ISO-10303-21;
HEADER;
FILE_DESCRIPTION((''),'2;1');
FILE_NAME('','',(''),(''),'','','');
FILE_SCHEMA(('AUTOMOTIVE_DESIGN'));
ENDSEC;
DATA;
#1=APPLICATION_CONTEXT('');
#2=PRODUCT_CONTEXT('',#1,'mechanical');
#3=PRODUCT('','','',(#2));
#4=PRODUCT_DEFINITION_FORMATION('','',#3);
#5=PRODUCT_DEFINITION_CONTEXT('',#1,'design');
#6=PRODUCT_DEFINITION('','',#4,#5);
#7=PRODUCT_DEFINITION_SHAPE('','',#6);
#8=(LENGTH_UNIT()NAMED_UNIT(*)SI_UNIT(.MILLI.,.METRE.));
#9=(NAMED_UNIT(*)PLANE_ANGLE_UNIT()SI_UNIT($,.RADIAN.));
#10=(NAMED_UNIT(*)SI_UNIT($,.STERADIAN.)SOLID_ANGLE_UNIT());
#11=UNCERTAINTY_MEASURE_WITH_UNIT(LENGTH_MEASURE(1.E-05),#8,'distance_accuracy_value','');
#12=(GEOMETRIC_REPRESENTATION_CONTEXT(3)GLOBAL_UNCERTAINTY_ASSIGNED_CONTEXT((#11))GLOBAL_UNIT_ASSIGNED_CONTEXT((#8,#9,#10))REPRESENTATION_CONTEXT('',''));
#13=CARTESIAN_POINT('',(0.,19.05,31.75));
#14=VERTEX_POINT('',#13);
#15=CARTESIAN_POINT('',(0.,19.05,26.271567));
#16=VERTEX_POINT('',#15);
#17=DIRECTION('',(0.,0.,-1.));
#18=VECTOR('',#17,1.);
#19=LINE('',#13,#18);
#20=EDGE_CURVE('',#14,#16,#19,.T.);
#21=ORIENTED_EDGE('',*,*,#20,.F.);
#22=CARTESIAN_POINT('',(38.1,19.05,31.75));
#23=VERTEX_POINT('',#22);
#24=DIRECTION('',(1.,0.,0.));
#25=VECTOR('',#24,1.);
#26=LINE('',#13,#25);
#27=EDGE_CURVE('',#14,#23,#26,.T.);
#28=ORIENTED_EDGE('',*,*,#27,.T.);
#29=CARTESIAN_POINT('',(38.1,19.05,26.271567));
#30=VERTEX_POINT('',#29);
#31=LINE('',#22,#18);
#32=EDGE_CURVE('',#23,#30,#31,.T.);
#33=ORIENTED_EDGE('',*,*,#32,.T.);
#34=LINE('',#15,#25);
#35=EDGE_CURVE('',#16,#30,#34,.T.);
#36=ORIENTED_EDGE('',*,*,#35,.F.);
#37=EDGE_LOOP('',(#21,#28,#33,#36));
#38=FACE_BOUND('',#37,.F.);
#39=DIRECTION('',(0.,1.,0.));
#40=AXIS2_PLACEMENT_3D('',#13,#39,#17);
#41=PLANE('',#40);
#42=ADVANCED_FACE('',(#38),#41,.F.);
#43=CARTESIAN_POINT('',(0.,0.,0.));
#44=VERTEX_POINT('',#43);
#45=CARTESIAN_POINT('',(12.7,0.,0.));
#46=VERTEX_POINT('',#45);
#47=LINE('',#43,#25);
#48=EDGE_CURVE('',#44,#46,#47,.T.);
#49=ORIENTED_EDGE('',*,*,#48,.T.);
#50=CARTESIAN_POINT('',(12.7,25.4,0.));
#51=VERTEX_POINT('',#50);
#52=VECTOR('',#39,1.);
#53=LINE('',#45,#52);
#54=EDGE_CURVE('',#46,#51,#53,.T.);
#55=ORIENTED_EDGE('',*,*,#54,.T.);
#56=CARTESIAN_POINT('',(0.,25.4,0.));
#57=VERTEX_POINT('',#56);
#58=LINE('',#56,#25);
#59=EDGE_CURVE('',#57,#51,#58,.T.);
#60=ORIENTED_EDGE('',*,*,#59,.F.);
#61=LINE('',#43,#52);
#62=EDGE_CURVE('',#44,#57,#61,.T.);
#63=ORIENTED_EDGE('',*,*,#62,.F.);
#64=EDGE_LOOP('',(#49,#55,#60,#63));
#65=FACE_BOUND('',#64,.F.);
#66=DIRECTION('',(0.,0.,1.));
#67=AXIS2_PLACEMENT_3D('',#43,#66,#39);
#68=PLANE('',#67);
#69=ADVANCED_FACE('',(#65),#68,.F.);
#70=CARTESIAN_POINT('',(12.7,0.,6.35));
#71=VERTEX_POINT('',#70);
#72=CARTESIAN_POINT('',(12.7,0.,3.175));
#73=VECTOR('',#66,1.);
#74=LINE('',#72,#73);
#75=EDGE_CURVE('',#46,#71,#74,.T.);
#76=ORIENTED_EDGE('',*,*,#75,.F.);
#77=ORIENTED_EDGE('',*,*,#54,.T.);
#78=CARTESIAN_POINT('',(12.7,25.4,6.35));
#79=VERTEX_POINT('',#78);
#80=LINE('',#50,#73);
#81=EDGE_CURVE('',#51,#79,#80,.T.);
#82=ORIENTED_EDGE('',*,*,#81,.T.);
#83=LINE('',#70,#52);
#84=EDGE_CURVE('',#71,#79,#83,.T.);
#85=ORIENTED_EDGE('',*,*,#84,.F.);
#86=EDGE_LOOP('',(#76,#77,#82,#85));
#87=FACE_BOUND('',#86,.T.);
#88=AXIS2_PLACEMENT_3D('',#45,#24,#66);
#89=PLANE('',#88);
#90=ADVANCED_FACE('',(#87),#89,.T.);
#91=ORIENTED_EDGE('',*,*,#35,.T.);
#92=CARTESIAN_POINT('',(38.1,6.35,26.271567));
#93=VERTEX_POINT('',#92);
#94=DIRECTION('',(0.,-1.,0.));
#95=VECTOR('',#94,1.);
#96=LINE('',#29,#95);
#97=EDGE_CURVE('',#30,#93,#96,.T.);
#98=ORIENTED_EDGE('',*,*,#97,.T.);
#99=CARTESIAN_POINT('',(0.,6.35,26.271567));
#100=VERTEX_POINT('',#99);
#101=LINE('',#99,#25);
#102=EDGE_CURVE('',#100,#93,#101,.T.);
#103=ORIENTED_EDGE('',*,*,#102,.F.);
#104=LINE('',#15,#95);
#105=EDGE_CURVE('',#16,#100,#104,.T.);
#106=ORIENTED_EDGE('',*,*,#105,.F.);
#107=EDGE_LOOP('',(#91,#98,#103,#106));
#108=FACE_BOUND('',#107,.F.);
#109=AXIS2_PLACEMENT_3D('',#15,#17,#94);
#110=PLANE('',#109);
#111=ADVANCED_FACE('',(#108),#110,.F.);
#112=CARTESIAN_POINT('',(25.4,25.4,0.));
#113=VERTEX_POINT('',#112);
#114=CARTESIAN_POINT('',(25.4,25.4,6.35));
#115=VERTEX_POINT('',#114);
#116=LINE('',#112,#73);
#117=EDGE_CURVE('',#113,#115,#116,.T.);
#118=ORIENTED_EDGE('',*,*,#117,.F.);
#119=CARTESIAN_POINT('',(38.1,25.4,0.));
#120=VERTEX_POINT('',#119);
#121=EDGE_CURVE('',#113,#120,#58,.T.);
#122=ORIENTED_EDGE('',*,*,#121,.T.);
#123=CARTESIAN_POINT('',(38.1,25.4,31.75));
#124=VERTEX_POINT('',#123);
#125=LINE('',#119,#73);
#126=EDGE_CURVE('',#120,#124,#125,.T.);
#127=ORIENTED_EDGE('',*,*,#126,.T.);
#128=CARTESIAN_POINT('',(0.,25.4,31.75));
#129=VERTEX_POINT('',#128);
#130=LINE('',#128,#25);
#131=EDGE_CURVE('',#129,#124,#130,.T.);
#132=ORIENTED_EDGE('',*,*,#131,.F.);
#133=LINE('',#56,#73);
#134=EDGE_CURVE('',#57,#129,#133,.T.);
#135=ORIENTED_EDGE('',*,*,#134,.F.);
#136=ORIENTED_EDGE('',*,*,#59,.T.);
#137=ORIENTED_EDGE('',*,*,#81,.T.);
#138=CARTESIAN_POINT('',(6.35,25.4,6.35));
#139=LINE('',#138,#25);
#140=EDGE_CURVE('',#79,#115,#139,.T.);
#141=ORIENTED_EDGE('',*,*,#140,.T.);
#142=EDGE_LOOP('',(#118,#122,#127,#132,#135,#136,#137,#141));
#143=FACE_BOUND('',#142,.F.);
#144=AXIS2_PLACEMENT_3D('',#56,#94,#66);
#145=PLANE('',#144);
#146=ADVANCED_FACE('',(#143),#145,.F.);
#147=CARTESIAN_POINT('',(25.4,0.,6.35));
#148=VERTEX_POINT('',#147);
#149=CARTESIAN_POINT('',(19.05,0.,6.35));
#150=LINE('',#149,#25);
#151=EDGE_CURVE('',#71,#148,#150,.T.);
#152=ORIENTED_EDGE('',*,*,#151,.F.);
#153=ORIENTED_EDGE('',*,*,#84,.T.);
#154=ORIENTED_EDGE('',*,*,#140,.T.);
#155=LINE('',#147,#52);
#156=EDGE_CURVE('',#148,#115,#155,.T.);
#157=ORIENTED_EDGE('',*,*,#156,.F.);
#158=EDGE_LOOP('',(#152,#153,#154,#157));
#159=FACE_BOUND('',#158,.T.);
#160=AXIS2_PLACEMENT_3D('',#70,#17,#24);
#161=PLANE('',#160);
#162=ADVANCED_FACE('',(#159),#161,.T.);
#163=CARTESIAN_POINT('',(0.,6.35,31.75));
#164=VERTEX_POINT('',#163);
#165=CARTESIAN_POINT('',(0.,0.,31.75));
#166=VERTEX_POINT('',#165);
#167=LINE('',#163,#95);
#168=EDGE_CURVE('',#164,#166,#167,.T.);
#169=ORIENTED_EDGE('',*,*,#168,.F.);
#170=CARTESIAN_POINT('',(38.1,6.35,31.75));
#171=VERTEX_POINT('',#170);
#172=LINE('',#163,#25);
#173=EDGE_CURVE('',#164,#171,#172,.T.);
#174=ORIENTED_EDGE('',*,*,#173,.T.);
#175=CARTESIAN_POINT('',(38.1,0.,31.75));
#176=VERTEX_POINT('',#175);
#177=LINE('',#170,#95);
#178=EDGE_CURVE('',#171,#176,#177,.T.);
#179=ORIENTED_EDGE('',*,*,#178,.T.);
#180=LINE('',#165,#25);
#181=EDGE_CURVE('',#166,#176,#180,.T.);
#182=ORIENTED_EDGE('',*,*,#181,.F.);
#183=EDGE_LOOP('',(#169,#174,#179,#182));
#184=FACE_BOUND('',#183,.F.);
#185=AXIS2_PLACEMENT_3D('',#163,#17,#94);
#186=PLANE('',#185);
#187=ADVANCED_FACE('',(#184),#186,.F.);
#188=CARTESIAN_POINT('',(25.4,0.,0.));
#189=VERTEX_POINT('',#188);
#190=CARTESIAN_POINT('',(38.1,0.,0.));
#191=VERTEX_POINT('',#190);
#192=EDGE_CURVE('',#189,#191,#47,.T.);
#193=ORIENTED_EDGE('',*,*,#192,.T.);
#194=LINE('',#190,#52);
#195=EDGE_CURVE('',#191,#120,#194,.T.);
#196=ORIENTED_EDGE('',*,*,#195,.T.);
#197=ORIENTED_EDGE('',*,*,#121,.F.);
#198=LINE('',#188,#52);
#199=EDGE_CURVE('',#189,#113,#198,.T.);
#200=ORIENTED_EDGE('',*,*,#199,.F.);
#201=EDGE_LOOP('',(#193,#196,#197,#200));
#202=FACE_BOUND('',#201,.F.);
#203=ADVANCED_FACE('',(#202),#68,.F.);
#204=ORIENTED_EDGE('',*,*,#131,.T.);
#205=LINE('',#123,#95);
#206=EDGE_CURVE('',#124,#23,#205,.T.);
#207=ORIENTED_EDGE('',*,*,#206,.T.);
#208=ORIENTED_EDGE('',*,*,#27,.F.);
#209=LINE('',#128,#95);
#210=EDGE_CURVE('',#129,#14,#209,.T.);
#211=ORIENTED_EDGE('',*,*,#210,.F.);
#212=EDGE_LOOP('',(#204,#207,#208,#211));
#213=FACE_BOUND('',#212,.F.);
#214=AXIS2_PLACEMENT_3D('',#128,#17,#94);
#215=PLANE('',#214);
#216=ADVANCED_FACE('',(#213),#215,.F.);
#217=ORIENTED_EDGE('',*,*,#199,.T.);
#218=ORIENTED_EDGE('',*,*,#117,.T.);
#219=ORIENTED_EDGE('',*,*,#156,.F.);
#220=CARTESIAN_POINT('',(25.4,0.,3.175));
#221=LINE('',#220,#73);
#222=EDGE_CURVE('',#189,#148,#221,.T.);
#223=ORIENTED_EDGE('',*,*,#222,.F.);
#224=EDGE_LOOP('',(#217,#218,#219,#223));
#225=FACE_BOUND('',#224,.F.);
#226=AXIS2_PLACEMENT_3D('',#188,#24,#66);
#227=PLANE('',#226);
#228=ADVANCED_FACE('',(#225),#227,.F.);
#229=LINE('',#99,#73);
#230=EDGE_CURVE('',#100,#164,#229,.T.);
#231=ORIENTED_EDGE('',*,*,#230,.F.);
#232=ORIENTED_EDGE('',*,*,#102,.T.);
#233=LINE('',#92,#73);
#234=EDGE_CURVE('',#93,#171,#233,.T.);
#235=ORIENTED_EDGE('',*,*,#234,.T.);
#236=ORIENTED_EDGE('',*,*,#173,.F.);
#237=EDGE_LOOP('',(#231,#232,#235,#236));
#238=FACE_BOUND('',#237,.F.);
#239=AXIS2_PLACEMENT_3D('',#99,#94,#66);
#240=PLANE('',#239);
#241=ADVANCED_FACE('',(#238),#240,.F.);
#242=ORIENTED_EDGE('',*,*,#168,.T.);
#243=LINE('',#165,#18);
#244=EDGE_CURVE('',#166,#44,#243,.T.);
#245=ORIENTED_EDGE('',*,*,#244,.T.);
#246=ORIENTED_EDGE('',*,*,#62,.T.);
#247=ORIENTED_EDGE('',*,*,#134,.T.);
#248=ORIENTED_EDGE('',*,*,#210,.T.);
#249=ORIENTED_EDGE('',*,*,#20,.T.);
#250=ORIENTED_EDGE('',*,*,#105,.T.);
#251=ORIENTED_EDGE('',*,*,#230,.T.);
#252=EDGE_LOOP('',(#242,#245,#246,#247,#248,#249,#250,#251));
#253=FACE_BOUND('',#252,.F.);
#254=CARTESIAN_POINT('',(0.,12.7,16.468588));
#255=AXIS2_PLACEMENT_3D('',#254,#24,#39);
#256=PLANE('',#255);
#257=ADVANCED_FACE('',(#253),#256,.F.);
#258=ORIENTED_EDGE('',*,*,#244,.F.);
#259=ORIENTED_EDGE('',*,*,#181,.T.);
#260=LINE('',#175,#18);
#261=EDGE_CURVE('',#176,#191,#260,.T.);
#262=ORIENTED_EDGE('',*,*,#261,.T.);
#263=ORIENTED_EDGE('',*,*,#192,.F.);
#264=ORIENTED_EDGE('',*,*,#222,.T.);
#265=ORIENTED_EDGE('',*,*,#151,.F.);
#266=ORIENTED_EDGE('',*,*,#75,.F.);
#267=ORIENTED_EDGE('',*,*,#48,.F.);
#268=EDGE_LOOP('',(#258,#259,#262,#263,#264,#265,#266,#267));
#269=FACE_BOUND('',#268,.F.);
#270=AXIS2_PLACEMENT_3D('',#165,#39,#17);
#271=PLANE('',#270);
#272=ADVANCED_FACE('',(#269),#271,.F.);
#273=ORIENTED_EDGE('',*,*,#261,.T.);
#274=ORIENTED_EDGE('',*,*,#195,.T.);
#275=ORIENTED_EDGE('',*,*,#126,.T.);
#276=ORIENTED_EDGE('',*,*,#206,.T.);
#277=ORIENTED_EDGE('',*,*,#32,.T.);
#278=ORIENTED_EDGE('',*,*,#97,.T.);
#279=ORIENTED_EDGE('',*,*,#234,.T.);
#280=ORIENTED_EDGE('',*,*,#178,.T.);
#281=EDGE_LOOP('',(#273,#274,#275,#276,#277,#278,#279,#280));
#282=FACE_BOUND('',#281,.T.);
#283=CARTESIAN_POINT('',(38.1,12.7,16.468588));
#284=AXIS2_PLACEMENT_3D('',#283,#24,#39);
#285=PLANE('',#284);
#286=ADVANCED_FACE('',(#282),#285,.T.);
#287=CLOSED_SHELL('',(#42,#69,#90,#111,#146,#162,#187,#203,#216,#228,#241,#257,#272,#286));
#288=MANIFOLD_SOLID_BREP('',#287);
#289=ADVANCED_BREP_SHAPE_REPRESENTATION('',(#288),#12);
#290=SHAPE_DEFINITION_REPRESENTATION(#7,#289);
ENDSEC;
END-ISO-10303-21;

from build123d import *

# Parameters (mm, degrees)
F1_DEPTH = 38.1
F2_W     = 12.7
F2_H     = 6.35
F3_DEPTH = 25.401


with BuildPart() as f1:
    # F0 (on Right) → F1 (new body)
    with BuildSketch(Plane.YZ):
        Polygon((6.35, 31.75), (0, 31.75), (0, 0), (25.4, 0), (25.4, 31.75), (19.05, 31.75), (19.05, 26.271567), (6.35, 26.271567), align=None)
    extrude(amount=F1_DEPTH)

    # F2 (on face) → F3 (cut, through all)
    with BuildSketch(Plane.XZ):
        with Locations((19.05, 3.175)):
            Rectangle(F2_W, F2_H)
    extrude(amount=-F3_DEPTH, mode=Mode.SUBTRACT)


solid = f1.part
